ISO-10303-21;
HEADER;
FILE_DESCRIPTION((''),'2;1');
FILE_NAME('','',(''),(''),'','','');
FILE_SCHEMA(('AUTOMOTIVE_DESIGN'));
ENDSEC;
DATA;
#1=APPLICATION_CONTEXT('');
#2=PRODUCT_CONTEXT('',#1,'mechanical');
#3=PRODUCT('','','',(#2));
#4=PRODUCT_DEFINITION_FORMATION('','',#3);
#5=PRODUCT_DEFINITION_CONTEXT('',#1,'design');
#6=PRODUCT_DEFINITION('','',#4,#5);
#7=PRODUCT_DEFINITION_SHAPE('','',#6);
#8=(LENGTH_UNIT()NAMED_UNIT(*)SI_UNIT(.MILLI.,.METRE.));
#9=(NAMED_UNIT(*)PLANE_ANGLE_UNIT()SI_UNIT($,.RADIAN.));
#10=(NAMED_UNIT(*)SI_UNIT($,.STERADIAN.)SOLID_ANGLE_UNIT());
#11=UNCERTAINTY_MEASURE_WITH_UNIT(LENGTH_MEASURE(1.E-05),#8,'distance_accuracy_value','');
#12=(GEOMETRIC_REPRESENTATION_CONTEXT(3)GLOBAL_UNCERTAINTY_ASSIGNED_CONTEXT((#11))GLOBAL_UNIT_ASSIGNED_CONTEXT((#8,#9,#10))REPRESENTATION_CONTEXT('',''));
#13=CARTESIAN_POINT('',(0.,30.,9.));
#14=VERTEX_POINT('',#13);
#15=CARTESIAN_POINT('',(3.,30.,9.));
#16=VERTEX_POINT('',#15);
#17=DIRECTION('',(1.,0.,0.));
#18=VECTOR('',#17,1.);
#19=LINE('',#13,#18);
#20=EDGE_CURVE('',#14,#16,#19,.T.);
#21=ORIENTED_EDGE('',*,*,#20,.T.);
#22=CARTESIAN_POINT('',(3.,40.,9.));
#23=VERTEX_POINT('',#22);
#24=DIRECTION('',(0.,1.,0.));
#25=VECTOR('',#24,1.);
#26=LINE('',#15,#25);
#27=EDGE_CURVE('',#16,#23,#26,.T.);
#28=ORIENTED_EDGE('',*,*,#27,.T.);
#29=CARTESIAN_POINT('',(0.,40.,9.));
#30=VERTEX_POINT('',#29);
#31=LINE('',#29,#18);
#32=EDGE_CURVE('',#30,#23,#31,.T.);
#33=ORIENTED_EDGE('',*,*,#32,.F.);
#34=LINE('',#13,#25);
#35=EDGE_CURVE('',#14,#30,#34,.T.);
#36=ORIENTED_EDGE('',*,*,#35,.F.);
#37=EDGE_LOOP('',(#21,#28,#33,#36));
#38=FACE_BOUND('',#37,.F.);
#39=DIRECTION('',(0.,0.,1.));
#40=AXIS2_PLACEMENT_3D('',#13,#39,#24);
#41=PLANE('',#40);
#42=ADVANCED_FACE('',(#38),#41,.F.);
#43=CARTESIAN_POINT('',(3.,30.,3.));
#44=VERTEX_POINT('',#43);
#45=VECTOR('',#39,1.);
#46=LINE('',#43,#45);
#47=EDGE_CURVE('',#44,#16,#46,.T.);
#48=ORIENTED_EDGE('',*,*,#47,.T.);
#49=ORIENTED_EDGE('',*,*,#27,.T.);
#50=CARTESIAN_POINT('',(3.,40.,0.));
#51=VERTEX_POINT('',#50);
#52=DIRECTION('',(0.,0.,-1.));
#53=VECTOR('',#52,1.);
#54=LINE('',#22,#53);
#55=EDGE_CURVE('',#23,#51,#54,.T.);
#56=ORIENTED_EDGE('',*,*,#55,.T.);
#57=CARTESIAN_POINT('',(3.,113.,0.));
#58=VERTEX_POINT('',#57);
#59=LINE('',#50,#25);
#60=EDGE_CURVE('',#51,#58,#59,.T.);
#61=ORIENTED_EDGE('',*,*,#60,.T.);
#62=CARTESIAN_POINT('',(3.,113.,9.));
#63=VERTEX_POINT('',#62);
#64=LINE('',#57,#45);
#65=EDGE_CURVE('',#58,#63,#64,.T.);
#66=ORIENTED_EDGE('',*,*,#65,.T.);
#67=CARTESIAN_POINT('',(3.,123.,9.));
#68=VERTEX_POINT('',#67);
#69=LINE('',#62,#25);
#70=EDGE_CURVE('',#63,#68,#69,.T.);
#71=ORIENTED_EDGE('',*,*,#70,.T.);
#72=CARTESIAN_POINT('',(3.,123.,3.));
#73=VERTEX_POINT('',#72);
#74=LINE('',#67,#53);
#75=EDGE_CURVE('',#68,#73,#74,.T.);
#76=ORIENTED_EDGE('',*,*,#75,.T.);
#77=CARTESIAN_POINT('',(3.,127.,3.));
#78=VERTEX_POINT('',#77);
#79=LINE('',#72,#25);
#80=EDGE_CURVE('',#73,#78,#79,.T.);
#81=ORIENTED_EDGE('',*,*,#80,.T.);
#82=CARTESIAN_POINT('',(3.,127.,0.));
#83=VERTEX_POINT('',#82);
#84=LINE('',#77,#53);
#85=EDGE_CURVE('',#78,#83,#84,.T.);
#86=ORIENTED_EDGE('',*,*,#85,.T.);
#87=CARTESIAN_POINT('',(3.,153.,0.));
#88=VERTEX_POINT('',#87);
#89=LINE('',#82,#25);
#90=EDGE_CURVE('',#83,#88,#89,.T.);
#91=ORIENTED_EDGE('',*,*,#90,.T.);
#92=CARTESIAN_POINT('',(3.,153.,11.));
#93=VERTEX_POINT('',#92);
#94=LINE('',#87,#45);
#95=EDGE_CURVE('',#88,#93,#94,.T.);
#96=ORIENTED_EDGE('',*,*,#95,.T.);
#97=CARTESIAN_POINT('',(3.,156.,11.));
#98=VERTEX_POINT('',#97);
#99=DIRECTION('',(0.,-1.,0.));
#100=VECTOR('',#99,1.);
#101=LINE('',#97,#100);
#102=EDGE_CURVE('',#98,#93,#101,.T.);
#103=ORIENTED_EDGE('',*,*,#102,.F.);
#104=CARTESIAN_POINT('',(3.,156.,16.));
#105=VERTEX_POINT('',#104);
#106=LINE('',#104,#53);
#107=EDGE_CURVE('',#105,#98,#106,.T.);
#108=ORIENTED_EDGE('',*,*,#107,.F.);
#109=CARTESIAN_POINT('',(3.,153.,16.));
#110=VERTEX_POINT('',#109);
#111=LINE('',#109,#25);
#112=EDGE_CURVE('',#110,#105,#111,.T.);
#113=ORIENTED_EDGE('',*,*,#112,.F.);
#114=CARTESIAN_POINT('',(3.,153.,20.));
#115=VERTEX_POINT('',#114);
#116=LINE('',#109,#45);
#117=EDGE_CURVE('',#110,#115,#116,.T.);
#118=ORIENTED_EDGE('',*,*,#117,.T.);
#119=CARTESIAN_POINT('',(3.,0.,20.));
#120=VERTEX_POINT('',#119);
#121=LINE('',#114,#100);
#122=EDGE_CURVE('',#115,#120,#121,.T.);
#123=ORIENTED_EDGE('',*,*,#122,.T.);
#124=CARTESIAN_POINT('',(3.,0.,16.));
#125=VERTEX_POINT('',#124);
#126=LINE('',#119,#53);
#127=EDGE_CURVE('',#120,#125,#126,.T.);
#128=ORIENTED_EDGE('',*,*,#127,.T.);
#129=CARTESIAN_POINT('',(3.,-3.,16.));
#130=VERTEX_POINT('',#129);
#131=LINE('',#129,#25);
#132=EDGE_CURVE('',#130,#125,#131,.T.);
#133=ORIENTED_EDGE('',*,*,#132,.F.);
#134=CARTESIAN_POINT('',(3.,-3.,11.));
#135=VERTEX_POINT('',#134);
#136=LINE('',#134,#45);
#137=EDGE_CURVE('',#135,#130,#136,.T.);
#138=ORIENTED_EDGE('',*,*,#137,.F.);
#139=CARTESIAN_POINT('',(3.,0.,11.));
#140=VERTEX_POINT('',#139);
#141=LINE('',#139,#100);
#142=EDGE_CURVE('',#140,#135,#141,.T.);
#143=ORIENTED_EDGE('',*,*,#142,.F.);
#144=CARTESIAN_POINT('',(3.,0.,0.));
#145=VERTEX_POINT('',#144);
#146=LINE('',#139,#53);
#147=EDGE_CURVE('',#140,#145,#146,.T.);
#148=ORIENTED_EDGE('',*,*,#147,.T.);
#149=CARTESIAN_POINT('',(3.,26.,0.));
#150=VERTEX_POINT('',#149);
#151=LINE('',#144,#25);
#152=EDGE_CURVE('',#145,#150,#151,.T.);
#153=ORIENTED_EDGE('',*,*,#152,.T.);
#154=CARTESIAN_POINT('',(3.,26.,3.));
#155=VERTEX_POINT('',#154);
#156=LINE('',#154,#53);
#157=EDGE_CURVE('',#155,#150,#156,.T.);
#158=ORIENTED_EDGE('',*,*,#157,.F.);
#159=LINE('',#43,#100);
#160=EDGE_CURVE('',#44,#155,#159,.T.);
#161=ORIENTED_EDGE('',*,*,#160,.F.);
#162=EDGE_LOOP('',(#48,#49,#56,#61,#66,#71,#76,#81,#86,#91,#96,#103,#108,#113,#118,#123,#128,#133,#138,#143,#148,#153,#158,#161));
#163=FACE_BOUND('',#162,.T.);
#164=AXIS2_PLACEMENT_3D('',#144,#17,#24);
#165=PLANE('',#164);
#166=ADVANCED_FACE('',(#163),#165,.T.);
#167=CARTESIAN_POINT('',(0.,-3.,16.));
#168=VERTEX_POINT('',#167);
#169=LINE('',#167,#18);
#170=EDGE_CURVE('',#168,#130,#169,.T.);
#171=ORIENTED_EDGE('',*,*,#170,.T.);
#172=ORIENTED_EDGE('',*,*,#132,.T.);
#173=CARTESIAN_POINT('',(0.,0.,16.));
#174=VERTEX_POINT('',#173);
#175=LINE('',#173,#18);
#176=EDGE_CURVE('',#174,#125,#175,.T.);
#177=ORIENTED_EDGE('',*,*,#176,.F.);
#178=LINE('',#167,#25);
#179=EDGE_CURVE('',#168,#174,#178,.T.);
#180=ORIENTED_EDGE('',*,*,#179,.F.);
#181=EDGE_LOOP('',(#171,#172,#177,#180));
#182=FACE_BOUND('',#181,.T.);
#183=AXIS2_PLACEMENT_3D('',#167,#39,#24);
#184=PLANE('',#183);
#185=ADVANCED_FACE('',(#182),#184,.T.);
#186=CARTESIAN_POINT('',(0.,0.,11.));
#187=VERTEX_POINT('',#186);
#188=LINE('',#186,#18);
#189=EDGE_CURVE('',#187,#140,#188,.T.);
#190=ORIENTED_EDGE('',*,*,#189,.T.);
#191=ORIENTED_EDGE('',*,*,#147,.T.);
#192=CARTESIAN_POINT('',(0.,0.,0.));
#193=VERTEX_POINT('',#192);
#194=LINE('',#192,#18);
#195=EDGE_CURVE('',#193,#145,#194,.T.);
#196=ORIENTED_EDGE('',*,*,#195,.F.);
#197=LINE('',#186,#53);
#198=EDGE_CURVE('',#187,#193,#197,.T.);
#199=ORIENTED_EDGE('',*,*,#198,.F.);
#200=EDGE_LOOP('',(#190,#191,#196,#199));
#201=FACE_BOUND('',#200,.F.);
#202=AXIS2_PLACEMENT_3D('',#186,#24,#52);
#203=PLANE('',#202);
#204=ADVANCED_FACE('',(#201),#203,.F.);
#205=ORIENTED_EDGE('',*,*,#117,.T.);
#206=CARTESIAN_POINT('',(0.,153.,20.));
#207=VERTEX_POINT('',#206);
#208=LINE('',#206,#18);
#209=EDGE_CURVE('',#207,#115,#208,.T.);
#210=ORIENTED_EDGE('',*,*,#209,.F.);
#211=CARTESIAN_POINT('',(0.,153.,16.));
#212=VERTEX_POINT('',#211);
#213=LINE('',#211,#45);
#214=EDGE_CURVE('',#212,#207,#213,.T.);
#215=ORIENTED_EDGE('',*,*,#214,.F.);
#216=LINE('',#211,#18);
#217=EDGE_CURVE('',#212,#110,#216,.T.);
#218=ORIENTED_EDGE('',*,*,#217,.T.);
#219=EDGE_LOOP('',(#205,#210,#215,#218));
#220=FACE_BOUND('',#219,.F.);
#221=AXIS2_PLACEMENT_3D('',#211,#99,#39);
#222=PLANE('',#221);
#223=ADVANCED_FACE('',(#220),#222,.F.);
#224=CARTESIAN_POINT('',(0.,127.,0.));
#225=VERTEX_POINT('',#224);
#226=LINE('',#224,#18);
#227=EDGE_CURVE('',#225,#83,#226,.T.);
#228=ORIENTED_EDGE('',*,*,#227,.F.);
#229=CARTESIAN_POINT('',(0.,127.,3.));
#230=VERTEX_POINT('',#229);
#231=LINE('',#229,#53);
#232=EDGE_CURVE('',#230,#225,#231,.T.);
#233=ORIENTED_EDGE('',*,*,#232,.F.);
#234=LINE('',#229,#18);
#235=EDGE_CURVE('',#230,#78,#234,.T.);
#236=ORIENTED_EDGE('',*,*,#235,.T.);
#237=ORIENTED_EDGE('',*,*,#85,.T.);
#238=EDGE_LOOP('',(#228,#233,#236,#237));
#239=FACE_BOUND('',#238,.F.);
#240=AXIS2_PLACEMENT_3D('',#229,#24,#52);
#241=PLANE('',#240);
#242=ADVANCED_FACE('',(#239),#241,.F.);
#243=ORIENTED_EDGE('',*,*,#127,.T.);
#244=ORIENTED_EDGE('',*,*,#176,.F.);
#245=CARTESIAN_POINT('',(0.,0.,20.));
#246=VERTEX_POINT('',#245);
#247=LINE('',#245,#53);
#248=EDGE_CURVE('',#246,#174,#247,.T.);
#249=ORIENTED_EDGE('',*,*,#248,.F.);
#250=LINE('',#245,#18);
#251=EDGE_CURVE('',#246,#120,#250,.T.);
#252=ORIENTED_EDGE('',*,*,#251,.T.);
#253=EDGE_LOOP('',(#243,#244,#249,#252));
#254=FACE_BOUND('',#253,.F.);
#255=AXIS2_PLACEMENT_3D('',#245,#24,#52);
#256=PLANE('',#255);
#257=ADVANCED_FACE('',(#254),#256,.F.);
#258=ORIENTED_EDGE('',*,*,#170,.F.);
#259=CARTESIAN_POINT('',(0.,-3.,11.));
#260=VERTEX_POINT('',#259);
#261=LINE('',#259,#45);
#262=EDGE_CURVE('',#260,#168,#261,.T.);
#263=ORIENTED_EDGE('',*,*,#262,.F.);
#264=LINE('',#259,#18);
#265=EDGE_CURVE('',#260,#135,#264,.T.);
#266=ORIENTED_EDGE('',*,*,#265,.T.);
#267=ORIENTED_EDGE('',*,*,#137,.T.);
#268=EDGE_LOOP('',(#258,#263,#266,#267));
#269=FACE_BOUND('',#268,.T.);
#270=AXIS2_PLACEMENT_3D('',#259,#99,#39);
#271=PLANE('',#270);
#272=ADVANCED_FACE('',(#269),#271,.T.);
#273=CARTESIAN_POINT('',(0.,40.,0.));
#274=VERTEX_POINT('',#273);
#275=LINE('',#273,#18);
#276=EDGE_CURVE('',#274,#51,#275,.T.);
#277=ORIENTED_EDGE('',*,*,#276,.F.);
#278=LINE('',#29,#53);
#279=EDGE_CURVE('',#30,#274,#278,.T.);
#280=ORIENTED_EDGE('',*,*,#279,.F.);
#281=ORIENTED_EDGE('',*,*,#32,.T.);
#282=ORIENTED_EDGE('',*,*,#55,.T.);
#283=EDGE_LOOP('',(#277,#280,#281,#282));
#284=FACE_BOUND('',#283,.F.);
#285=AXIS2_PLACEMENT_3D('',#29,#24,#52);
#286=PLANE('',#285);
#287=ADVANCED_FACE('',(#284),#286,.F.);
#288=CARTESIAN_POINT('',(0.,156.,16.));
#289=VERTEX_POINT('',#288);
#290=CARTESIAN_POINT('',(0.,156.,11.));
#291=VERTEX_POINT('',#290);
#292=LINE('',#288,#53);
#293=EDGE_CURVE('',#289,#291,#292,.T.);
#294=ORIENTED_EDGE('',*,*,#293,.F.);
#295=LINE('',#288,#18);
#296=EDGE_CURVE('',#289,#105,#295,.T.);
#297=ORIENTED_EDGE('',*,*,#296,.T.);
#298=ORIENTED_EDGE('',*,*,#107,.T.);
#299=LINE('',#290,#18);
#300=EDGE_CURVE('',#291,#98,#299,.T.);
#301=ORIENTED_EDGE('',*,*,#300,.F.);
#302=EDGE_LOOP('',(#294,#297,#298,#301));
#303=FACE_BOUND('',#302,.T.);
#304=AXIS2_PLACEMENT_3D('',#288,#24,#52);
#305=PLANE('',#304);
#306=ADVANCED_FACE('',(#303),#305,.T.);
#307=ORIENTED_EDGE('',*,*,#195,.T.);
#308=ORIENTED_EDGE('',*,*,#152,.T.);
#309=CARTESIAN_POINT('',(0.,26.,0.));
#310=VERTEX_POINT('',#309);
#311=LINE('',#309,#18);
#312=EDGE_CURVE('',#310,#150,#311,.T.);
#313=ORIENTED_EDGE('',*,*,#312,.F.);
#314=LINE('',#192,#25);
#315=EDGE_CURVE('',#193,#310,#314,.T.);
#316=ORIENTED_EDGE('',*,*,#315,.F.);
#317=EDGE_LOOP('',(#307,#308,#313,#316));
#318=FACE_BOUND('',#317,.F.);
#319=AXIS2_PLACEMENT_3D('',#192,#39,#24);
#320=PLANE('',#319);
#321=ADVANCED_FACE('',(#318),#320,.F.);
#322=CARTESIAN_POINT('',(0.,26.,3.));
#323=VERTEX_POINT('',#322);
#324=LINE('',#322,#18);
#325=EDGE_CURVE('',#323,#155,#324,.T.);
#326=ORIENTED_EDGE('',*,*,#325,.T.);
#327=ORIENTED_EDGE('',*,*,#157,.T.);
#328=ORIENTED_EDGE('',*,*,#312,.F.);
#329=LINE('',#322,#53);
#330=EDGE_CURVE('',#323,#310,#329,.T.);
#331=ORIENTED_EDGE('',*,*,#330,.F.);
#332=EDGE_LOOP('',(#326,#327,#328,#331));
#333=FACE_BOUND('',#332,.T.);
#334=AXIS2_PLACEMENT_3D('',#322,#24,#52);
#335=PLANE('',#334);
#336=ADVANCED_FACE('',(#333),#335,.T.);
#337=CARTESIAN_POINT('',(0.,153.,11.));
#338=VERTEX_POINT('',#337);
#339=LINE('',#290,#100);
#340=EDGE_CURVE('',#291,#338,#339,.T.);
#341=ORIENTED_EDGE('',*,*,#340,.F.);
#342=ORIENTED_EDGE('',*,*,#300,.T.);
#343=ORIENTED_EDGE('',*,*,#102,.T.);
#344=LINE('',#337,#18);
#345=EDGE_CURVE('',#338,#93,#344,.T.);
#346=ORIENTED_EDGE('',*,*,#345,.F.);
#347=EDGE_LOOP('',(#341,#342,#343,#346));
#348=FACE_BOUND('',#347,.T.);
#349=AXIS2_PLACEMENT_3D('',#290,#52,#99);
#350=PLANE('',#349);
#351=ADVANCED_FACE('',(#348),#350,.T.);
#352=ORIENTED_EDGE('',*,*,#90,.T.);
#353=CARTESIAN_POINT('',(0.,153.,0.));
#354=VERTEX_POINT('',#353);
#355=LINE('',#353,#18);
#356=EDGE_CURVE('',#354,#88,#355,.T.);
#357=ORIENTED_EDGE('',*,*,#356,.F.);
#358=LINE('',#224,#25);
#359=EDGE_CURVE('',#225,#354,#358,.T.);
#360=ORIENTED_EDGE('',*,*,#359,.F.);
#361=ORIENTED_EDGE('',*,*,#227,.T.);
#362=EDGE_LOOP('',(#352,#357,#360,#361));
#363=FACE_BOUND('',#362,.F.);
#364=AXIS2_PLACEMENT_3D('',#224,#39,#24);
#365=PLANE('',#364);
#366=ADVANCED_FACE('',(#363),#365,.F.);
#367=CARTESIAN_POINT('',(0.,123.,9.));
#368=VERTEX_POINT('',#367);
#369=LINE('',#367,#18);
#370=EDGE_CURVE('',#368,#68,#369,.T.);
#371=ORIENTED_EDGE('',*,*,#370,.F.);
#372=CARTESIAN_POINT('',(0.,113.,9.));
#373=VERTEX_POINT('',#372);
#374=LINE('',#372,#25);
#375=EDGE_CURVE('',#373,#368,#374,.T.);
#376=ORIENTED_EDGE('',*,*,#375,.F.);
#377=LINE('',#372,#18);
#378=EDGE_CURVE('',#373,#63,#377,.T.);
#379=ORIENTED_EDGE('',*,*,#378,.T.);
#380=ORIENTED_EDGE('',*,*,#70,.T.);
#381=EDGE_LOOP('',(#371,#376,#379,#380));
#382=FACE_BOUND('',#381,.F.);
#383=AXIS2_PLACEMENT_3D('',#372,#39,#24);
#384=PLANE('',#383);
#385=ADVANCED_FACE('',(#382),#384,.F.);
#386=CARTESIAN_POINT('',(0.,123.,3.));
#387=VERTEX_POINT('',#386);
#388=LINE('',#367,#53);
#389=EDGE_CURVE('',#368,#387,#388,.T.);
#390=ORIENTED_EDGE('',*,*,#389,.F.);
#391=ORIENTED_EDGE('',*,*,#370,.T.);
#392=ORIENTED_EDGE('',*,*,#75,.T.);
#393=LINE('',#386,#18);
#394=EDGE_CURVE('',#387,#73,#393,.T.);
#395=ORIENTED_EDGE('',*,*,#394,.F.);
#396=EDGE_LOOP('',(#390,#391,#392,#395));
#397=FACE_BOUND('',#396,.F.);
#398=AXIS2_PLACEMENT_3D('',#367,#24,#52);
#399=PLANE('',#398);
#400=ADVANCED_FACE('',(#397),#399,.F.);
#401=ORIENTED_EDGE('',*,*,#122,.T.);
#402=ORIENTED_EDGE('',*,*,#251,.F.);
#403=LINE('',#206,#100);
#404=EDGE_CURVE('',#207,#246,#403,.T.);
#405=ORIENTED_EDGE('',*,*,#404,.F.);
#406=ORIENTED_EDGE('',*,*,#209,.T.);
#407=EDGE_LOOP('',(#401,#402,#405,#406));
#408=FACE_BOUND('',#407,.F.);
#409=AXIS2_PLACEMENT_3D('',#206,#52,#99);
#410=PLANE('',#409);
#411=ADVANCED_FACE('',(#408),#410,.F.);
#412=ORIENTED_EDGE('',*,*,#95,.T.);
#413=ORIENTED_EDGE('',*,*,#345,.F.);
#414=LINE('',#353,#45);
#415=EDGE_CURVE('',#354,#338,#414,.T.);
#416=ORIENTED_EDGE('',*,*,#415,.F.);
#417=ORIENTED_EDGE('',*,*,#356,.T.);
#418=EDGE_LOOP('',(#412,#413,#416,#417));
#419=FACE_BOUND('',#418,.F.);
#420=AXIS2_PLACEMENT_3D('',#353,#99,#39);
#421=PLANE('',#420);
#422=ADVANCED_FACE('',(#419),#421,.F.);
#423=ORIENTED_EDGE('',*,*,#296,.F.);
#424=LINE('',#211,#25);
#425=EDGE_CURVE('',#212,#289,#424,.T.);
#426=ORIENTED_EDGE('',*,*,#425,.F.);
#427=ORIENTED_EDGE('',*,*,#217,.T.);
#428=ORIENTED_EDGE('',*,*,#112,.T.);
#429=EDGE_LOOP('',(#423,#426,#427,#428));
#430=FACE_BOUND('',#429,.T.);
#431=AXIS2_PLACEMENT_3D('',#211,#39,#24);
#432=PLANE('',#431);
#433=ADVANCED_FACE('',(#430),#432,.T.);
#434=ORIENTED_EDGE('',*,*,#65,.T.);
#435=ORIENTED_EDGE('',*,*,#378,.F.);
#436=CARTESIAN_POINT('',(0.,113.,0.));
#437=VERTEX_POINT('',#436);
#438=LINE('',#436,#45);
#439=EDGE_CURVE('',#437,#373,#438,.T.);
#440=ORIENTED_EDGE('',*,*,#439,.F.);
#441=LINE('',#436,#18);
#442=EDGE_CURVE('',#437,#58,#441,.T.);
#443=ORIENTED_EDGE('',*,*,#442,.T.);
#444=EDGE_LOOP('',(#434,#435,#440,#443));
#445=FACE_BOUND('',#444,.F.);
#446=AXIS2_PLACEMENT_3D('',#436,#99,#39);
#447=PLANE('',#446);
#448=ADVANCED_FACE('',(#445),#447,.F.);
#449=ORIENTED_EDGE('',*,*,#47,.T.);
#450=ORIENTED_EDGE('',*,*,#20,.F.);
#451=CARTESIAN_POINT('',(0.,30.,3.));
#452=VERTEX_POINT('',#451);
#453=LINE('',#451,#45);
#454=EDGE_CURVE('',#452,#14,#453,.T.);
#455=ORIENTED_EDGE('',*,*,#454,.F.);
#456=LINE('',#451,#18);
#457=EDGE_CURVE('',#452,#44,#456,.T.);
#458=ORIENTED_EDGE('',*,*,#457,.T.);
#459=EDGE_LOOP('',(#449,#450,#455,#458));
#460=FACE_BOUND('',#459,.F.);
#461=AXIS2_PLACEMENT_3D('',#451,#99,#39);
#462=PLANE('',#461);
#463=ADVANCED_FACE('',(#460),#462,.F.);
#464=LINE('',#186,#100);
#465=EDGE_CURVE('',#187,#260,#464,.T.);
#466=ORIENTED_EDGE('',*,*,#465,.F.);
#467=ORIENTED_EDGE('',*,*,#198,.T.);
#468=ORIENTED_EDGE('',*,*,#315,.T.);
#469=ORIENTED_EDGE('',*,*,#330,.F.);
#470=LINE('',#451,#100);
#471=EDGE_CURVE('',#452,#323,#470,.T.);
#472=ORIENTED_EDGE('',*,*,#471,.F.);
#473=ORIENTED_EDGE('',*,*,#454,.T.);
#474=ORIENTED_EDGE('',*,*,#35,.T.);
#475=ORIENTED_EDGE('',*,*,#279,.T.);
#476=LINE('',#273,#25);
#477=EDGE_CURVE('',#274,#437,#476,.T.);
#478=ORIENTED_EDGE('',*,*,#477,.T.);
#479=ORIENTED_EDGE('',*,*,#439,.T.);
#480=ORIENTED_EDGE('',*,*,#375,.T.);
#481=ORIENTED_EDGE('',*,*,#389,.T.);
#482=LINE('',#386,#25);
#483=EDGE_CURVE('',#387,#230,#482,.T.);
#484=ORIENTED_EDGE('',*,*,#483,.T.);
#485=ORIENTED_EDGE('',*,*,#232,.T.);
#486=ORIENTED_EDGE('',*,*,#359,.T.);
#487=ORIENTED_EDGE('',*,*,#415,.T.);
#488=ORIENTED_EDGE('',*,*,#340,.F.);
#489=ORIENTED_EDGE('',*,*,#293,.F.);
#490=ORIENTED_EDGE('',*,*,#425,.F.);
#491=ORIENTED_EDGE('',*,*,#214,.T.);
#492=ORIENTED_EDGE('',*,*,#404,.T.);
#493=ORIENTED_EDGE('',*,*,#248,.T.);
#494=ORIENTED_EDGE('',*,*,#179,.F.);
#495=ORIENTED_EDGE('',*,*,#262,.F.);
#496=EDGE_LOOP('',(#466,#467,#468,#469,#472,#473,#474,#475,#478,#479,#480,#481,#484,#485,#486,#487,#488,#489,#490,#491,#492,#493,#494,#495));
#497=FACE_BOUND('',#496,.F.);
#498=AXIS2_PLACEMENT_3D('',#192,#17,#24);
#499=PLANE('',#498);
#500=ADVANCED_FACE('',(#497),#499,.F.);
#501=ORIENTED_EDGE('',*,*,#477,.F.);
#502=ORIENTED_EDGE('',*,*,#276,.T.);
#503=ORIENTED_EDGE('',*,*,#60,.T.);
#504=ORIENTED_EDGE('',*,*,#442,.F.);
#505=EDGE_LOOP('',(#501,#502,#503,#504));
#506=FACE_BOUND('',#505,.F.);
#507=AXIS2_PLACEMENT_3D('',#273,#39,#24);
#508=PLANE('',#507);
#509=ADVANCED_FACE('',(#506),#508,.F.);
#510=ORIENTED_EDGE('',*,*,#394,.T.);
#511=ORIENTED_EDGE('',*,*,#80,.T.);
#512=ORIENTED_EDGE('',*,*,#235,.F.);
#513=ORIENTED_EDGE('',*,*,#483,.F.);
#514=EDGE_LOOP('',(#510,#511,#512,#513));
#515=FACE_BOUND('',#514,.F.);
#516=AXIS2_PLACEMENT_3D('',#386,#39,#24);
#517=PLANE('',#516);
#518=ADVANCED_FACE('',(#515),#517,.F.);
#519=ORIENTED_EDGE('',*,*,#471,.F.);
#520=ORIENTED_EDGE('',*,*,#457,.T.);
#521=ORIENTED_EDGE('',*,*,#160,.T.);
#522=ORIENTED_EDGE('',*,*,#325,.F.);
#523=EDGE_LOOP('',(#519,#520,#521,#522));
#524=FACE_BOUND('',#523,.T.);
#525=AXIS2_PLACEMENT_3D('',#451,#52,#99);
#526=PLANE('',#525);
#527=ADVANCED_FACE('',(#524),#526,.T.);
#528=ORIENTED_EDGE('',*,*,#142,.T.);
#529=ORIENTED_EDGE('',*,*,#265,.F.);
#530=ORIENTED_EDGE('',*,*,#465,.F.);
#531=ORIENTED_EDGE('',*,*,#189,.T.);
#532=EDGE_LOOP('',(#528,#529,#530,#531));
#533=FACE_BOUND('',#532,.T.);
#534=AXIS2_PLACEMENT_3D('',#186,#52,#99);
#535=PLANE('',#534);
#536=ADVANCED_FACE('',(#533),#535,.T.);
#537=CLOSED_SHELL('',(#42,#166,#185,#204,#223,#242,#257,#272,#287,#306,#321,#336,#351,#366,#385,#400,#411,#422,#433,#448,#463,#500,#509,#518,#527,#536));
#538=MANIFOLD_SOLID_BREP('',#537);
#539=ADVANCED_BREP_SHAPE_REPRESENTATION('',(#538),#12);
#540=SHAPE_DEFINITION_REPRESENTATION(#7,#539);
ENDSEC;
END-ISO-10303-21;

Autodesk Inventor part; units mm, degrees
ref_plane "YZ Plane" through (0, 0, 0) normal (1, 0, 0) x (0, 1, 0)
ref_plane "XZ Plane" through (0, 0, 0) normal (0, 1, 0) x (-1, 0, 0)
ref_plane "XY Plane" through (0, 0, 0) normal (0, 0, 1) x (1, 0, 0)
sketch "Sketch1" plane through (0, 0, 0) normal (1, 0, 0) x (0, 1, 0)
  line L0 (0, 11) -> (-3, 11)
  line L1 (-3, 11) -> (-3, 16)
  line L2 (-3, 16) -> (0, 16)
  line L3 (0, 20) -> (0, 16)
  line L4 (0, 11) -> (0, 0)
  line L5 (153, 16) -> (156, 16)
  line L6 (156, 16) -> (156, 11)
  line L7 (156, 11) -> (153, 11)
  line L8 (153, 0) -> (153, 11)
  line L9 (153, 16) -> (153, 20)
  line L10 (30, 3) -> (30, 9)
  line L11 (30, 9) -> (40, 9)
  line L12 (40, 9) -> (40, 0)
  line L13 (113, 0) -> (113, 9)
  line L14 (113, 9) -> (123, 9)
  line L15 (123, 9) -> (123, 3)
  line L16 (127, 0) -> (153, 0)
  line L17 (0, 0) -> (26, 0)
  line L18 (40, 0) -> (113, 0)
  line L19 (153, 20) -> (0, 20)
  line L20 (30, 3) -> (26, 3)
  line L21 (26, 3) -> (26, 0)
  line L22 (123, 3) -> (127, 3)
  line L23 (127, 3) -> (127, 0)
  dimension "d0" = 20
  dimension "d1" = 153
  dimension "d2" = 5
  dimension "d3" = 3
  dimension "d5" = 3
  dimension "d6" = 5
  dimension "d7" = 10
  dimension "d9" = 30
  dimension "d11" = 10
  dimension "d12" = 30
  dimension "d21" = 11
  dimension "d25" = 4
  dimension "d26" = 3
  dimension "d28" = 4
  dimension "d30" = 9
  dimension "d31" = 9
  dimension "d32" = 9
  dimension "d33" = 20
  dimension "d34" = 3
  dimension "d35" = 26
extrude "Extrusion2" add sketch "Sketch1" along normal blind 3
properties part number "MainPanelWall3"
